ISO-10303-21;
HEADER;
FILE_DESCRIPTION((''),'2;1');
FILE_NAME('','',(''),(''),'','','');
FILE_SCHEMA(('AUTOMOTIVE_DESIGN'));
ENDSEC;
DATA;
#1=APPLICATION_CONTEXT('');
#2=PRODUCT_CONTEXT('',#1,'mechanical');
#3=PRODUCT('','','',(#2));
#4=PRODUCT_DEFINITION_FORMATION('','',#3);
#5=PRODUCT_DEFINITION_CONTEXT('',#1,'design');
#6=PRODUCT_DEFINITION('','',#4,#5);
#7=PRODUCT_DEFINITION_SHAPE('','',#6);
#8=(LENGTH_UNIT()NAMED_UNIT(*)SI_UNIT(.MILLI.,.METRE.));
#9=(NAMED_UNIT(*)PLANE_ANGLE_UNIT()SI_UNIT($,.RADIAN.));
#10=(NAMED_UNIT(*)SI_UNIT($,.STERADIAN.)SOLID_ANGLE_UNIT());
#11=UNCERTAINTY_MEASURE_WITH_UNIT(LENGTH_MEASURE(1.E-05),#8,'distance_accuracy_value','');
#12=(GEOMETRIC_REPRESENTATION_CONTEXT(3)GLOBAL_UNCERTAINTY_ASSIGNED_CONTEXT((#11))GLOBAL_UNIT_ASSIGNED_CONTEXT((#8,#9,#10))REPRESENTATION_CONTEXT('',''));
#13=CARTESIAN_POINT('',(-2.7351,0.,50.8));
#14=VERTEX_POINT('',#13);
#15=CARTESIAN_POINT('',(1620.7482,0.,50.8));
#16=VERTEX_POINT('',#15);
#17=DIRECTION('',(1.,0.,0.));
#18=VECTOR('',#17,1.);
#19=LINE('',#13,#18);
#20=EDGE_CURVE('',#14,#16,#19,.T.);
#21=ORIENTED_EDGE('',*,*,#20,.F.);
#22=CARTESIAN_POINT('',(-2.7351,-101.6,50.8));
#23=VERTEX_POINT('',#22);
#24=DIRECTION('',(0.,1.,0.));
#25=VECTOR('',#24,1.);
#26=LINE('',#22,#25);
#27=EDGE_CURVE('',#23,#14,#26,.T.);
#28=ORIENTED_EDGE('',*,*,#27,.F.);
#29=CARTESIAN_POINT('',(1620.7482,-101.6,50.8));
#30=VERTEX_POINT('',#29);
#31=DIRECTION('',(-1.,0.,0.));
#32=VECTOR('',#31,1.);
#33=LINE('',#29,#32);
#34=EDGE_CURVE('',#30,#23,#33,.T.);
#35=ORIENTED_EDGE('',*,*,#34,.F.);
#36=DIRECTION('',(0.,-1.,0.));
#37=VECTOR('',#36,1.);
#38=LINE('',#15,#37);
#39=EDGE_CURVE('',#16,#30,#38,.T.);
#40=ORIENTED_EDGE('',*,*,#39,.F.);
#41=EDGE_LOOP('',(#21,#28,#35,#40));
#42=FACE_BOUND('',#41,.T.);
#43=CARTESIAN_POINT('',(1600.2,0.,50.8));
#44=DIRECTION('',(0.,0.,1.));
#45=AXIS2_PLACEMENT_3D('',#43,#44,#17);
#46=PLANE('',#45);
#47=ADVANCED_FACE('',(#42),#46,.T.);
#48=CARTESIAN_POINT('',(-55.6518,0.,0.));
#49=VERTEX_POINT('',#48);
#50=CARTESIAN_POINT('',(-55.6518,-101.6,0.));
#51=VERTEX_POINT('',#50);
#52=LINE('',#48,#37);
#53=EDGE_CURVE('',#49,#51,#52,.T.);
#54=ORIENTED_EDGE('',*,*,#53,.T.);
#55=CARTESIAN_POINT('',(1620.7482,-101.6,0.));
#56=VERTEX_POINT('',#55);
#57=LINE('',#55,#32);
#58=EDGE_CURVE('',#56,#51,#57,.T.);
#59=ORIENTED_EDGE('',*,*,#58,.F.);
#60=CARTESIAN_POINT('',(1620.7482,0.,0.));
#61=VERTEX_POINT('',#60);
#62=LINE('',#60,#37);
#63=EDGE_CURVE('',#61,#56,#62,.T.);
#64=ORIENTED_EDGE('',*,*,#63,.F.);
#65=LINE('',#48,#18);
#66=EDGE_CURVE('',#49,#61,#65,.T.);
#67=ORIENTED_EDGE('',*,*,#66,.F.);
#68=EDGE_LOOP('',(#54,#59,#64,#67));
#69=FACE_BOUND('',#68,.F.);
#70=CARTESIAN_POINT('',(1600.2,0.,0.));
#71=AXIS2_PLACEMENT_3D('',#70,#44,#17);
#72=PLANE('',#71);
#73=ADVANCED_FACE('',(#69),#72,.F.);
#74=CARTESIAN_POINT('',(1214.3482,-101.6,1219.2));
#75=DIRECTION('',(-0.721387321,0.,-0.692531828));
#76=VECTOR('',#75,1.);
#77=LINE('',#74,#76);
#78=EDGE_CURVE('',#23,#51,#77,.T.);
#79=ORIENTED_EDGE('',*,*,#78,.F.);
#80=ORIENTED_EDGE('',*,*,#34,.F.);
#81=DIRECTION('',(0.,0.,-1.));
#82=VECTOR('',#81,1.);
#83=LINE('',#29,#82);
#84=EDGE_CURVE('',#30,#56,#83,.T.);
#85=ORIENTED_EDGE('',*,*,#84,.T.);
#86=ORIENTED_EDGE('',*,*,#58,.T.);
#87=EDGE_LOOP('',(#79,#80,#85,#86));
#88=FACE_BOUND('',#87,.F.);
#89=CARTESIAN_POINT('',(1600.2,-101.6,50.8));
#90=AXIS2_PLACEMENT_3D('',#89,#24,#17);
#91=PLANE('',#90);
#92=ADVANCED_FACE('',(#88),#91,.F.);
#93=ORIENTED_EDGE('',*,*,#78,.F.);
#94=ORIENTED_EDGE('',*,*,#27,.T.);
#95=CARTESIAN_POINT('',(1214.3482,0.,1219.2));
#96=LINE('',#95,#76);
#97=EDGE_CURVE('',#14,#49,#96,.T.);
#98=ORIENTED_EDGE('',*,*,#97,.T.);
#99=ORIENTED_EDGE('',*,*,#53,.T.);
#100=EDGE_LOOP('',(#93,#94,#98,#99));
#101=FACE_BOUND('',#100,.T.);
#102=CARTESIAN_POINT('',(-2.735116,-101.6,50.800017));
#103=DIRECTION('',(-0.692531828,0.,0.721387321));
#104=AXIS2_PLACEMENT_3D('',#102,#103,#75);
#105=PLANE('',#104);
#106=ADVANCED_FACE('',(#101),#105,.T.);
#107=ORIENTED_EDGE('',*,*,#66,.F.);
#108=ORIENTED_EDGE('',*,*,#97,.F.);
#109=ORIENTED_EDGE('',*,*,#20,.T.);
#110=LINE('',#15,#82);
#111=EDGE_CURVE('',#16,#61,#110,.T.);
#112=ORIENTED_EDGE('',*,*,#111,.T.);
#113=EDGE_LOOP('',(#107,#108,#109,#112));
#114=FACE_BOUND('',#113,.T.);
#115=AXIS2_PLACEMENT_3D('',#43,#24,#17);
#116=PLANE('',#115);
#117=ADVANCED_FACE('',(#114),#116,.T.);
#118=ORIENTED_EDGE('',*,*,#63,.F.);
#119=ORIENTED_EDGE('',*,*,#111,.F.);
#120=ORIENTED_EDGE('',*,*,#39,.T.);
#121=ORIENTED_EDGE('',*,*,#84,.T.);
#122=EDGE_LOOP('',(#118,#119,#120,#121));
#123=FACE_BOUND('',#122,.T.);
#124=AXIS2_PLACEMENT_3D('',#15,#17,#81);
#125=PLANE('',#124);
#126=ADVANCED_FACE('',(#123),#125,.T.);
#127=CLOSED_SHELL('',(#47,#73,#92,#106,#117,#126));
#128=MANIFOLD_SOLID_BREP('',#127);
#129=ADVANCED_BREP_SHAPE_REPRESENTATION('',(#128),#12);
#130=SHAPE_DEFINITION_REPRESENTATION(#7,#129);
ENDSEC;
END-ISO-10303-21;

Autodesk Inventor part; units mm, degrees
ref_plane "YZ Plane" through (0, 0, 0) normal (1, 0, 0) x (0, 1, 0)
ref_plane "XZ Plane" through (0, 0, 0) normal (0, 1, 0) x (-1, 0, 0)
ref_plane "XY Plane" through (0, 0, 0) normal (0, 0, 1) x (1, 0, 0)
ref_plane "Work Plane1" through (0, 0, 0) normal (0, 0, 1) x (1, 0, 0)
sketch "Sketch1" plane through (0, 0, 0) normal (0, 0, 1) x (1, 0, 0)
  line L0 (-55.6518, 0) -> (0, 0) projected
  line L1 (-55.6518, 0) -> (-55.6518, -101.6) projected
  line L2 (0, -101.6) -> (-55.6518, -101.6) projected
  line L3 (0, 0) -> (0, -101.6) projected
  line L4 (1549.4, -50.8) -> (1651, -50.8) projected
  line L5 (1651, -50.8) -> (1651, 0) projected
  line L6 (1549.4, 0) -> (1651, 0) projected
  line L7 (1549.4, -50.8) -> (1549.4, 0) projected
  line L8 (-55.6518, -101.6) -> (1600.2, -101.6)
  line L9 (1600.2, -101.6) -> (1600.2, 0)
  line L10 (1600.2, 0) -> (-55.6518, 0)
  line L11 (-55.6518, 0) -> (-55.6518, -101.6)
  point P0 (0, 0)
extrude "Extrusion1" add sketch "Sketch1" along normal blind 50.8 contours L0 L3 L2 L1 | L10 L7 L4 L9 L8 L3 | L6 L9 L4 L7
sketch "Sketch3" plane through (-55.6518, -101.6, 0) normal (0, -1, 0) x (1, 0, 0)
  line L0 (0, 0) -> (101.6, 0) projected
  line L1 (101.6, 0) -> (1270, 1117.6) projected
  line L2 (1270, 1117.6) -> (1270, 1219.2) projected
  line L3 (1270, 1219.2) -> (0, 0) projected
  line L4 (0, 0) -> (101.6, 0) projected
  line L5 (101.6, 0) -> (1270, 1117.6) projected
  line L6 (1270, 1117.6) -> (1270, 1219.2) projected
  line L7 (1270, 1219.2) -> (0, 0) projected
  line L8 (0, 0) -> (0, 50.8) projected
  line L9 (0, 0) -> (0, 50.8)
  line L10 (0, 50.8) -> (52.9167, 50.8)
  line L11 (0, 50.8) -> (1655.8518, 50.8) projected
  line L12 (0, 0) -> (1655.8518, 0) projected
  line L13 (52.9167, 50.8) -> (0, 0)
  point P0 (55.6518, 0)
  point P1 (52.9167, 50.8)
extrude "Extrusion3" cut sketch "Sketch3" against normal blind 101.6 contours L8 L10 L3
ref_plane "Work Plane2" through (1620.7482, -50.8, -965.2) normal (0, 1, 0) x (0, 0, -1)
sketch "Sketch4" plane through (1600.2, 0, 50.8) normal (0, 1, 0) x (1, 0, 0)
  line L0 (-30.2518, 1981.2) -> (-30.2518, 50.8) projected
  line L1 (-30.2518, 50.8) -> (71.3482, 50.8) projected
  line L2 (71.3482, 50.8) -> (71.3482, 1981.2) projected
  line L3 (71.3482, 1981.2) -> (-30.2518, 1981.2) projected
  line L4 (-30.2518, 1981.2) -> (-30.2518, 50.8) projected
  line L5 (-30.2518, 50.8) -> (71.3482, 50.8) projected
  line L6 (71.3482, 50.8) -> (71.3482, 1981.2) projected
  line L7 (71.3482, 1981.2) -> (-30.2518, 1981.2) projected
  line L8 (20.5482, 50.8) -> (0, 50.8)
  line L9 (-1602.9352, 0) -> (0, 0) projected
  line L10 (0, 50.8) -> (0, 0)
  line L11 (0, 0) -> (20.5482, 0)
  line L12 (20.5482, 0) -> (20.5482, 50.8)
  point P0 (-1600.2, 50.8)
  point P1 (20.5482, 50.8)
extrude "Extrusion4" add sketch "Sketch4" against normal blind 101.6 contours L1 L12 L11 L10
properties part number "2X4X65.191" material "Wood (Birch)"
